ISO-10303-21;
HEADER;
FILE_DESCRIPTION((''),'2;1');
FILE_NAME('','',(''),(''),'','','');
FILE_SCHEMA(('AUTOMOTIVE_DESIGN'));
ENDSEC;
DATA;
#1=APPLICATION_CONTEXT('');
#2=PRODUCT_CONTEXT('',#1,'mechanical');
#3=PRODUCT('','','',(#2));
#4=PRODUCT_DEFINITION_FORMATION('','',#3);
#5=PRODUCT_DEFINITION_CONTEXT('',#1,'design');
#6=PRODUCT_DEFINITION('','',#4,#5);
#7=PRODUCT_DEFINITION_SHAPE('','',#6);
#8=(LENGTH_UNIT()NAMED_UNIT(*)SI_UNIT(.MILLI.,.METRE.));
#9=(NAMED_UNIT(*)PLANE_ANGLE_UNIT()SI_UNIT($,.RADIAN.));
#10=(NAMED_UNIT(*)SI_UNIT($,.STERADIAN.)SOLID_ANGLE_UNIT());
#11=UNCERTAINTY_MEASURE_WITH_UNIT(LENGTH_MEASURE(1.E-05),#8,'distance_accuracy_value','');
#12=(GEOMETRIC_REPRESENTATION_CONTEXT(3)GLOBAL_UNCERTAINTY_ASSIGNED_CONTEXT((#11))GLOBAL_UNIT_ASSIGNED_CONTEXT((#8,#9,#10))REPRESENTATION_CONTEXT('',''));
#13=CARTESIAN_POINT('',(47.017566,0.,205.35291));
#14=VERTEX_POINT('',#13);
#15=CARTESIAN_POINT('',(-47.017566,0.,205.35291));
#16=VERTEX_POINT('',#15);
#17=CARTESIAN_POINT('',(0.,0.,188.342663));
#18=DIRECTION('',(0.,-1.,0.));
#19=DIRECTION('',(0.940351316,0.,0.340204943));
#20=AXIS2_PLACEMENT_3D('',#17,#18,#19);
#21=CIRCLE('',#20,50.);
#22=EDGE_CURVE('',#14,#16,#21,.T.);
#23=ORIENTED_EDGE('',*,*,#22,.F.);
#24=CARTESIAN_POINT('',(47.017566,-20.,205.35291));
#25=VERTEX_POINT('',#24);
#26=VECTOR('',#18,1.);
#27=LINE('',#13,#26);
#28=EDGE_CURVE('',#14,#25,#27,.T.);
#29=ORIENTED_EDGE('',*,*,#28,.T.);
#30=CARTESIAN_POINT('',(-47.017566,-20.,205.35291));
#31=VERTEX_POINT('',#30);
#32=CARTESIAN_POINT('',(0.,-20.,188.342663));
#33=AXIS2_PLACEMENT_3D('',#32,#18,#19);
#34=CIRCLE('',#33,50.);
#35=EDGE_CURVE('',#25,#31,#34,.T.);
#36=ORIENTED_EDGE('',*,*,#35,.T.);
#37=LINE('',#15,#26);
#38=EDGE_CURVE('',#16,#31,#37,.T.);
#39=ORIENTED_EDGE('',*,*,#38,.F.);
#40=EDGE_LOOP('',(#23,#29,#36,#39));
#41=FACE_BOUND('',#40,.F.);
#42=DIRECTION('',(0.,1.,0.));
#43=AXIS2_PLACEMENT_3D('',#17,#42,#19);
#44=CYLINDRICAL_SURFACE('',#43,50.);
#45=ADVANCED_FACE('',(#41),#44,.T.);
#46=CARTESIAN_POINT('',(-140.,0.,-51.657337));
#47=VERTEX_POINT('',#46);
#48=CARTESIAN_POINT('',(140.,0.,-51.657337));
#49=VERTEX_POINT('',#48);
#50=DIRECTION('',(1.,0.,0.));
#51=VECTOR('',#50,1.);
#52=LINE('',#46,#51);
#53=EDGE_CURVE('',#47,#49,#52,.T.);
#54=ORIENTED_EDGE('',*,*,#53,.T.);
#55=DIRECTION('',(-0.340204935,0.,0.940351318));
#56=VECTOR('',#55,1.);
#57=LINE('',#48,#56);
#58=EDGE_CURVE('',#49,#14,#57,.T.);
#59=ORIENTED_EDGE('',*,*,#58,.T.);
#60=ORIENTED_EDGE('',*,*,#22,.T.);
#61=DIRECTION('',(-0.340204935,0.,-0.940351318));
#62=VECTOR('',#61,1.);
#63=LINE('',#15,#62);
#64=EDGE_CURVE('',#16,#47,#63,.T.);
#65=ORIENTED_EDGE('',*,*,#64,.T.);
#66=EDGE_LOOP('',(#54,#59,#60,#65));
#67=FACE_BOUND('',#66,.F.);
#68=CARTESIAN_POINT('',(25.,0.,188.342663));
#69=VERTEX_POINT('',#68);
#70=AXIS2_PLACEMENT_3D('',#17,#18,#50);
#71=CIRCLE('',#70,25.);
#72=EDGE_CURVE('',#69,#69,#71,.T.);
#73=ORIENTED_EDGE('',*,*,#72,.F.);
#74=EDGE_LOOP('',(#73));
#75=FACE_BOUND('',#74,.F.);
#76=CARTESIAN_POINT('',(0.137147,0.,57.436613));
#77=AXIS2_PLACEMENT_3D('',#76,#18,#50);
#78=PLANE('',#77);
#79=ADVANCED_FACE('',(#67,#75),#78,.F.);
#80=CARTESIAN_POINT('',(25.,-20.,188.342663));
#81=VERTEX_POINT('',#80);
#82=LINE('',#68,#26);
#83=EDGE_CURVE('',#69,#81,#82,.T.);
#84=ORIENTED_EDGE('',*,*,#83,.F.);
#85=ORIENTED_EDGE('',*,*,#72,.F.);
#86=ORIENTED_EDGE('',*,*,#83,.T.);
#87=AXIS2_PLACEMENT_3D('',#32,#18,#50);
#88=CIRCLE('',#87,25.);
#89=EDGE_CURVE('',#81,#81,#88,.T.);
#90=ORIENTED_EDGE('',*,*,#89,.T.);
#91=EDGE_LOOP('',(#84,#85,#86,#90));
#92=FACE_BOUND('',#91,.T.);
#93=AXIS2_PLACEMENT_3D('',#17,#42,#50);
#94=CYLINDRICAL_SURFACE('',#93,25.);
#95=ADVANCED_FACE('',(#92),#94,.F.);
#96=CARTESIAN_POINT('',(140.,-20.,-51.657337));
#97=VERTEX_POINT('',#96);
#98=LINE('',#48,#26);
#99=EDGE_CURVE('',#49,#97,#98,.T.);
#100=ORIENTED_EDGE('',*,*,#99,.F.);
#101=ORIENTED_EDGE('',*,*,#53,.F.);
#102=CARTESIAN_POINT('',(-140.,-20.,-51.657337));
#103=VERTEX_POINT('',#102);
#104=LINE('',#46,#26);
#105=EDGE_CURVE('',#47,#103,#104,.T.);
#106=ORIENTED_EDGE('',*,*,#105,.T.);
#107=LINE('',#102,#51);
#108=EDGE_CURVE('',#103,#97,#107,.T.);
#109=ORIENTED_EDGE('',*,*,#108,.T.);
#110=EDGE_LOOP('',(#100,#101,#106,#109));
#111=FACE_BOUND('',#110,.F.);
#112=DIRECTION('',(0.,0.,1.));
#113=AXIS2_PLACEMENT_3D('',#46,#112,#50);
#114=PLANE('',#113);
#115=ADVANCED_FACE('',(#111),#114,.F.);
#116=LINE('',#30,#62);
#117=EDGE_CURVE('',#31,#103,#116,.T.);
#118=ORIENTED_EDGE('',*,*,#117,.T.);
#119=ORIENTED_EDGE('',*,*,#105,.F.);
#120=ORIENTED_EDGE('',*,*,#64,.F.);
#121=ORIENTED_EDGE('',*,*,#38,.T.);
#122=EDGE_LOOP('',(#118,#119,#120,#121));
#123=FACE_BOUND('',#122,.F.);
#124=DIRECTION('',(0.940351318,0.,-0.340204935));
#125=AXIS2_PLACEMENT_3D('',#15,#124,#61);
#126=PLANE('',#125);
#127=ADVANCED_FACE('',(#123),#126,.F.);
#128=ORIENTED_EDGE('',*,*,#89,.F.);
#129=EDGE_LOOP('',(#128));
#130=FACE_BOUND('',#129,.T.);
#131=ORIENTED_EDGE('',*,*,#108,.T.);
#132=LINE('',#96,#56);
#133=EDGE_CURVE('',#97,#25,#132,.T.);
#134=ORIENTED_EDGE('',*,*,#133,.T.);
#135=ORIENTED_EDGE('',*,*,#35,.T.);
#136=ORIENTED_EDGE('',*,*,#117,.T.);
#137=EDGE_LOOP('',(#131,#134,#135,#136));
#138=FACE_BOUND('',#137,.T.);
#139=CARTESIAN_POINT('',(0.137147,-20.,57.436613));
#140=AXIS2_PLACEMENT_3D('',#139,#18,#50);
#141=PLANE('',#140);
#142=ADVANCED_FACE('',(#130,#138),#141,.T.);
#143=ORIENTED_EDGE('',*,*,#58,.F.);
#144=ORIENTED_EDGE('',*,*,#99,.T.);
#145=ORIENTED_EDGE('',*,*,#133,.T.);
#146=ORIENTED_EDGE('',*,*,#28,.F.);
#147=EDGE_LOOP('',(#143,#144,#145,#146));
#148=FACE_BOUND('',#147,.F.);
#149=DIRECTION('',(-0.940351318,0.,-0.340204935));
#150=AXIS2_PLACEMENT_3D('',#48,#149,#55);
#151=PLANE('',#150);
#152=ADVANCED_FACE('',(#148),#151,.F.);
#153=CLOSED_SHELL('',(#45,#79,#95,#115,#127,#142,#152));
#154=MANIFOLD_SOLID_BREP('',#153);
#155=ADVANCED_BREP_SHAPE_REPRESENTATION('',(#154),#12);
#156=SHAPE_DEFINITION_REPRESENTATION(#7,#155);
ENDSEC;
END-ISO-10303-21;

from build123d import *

# Parameters (mm, degrees)
F0_R     = 25
F1_DEPTH = 20


with BuildPart() as f1:
    # F0 (on Front) → F1 (new body)
    with BuildSketch(Plane.XZ):
        with BuildLine():
            ThreePointArc((47.017566, 205.35291), (49.248748, 196.977526), (50, 188.342663))
            ThreePointArc((50, 188.342663), (-8.634863, 139.093915), (-47.017566, 205.35291))
            Line((-47.017566, 205.35291), (-140, -51.657337))
            Line((-140, -51.657337), (140, -51.657337))
            Line((140, -51.657337), (47.017566, 205.35291))
        make_face()
        with BuildLine():
            ThreePointArc((-47.017566, 205.35291), (-8.634863, 139.093915), (50, 188.342663))
            ThreePointArc((50, 188.342663), (49.248748, 196.977526), (47.017566, 205.35291))
            ThreePointArc((47.017566, 205.35291), (0, 238.342663), (-47.017566, 205.35291))
        make_face()
        with Locations((0, 188.342663)):
            Circle(F0_R, mode=Mode.SUBTRACT)
    extrude(amount=F1_DEPTH)


solid = f1.part
